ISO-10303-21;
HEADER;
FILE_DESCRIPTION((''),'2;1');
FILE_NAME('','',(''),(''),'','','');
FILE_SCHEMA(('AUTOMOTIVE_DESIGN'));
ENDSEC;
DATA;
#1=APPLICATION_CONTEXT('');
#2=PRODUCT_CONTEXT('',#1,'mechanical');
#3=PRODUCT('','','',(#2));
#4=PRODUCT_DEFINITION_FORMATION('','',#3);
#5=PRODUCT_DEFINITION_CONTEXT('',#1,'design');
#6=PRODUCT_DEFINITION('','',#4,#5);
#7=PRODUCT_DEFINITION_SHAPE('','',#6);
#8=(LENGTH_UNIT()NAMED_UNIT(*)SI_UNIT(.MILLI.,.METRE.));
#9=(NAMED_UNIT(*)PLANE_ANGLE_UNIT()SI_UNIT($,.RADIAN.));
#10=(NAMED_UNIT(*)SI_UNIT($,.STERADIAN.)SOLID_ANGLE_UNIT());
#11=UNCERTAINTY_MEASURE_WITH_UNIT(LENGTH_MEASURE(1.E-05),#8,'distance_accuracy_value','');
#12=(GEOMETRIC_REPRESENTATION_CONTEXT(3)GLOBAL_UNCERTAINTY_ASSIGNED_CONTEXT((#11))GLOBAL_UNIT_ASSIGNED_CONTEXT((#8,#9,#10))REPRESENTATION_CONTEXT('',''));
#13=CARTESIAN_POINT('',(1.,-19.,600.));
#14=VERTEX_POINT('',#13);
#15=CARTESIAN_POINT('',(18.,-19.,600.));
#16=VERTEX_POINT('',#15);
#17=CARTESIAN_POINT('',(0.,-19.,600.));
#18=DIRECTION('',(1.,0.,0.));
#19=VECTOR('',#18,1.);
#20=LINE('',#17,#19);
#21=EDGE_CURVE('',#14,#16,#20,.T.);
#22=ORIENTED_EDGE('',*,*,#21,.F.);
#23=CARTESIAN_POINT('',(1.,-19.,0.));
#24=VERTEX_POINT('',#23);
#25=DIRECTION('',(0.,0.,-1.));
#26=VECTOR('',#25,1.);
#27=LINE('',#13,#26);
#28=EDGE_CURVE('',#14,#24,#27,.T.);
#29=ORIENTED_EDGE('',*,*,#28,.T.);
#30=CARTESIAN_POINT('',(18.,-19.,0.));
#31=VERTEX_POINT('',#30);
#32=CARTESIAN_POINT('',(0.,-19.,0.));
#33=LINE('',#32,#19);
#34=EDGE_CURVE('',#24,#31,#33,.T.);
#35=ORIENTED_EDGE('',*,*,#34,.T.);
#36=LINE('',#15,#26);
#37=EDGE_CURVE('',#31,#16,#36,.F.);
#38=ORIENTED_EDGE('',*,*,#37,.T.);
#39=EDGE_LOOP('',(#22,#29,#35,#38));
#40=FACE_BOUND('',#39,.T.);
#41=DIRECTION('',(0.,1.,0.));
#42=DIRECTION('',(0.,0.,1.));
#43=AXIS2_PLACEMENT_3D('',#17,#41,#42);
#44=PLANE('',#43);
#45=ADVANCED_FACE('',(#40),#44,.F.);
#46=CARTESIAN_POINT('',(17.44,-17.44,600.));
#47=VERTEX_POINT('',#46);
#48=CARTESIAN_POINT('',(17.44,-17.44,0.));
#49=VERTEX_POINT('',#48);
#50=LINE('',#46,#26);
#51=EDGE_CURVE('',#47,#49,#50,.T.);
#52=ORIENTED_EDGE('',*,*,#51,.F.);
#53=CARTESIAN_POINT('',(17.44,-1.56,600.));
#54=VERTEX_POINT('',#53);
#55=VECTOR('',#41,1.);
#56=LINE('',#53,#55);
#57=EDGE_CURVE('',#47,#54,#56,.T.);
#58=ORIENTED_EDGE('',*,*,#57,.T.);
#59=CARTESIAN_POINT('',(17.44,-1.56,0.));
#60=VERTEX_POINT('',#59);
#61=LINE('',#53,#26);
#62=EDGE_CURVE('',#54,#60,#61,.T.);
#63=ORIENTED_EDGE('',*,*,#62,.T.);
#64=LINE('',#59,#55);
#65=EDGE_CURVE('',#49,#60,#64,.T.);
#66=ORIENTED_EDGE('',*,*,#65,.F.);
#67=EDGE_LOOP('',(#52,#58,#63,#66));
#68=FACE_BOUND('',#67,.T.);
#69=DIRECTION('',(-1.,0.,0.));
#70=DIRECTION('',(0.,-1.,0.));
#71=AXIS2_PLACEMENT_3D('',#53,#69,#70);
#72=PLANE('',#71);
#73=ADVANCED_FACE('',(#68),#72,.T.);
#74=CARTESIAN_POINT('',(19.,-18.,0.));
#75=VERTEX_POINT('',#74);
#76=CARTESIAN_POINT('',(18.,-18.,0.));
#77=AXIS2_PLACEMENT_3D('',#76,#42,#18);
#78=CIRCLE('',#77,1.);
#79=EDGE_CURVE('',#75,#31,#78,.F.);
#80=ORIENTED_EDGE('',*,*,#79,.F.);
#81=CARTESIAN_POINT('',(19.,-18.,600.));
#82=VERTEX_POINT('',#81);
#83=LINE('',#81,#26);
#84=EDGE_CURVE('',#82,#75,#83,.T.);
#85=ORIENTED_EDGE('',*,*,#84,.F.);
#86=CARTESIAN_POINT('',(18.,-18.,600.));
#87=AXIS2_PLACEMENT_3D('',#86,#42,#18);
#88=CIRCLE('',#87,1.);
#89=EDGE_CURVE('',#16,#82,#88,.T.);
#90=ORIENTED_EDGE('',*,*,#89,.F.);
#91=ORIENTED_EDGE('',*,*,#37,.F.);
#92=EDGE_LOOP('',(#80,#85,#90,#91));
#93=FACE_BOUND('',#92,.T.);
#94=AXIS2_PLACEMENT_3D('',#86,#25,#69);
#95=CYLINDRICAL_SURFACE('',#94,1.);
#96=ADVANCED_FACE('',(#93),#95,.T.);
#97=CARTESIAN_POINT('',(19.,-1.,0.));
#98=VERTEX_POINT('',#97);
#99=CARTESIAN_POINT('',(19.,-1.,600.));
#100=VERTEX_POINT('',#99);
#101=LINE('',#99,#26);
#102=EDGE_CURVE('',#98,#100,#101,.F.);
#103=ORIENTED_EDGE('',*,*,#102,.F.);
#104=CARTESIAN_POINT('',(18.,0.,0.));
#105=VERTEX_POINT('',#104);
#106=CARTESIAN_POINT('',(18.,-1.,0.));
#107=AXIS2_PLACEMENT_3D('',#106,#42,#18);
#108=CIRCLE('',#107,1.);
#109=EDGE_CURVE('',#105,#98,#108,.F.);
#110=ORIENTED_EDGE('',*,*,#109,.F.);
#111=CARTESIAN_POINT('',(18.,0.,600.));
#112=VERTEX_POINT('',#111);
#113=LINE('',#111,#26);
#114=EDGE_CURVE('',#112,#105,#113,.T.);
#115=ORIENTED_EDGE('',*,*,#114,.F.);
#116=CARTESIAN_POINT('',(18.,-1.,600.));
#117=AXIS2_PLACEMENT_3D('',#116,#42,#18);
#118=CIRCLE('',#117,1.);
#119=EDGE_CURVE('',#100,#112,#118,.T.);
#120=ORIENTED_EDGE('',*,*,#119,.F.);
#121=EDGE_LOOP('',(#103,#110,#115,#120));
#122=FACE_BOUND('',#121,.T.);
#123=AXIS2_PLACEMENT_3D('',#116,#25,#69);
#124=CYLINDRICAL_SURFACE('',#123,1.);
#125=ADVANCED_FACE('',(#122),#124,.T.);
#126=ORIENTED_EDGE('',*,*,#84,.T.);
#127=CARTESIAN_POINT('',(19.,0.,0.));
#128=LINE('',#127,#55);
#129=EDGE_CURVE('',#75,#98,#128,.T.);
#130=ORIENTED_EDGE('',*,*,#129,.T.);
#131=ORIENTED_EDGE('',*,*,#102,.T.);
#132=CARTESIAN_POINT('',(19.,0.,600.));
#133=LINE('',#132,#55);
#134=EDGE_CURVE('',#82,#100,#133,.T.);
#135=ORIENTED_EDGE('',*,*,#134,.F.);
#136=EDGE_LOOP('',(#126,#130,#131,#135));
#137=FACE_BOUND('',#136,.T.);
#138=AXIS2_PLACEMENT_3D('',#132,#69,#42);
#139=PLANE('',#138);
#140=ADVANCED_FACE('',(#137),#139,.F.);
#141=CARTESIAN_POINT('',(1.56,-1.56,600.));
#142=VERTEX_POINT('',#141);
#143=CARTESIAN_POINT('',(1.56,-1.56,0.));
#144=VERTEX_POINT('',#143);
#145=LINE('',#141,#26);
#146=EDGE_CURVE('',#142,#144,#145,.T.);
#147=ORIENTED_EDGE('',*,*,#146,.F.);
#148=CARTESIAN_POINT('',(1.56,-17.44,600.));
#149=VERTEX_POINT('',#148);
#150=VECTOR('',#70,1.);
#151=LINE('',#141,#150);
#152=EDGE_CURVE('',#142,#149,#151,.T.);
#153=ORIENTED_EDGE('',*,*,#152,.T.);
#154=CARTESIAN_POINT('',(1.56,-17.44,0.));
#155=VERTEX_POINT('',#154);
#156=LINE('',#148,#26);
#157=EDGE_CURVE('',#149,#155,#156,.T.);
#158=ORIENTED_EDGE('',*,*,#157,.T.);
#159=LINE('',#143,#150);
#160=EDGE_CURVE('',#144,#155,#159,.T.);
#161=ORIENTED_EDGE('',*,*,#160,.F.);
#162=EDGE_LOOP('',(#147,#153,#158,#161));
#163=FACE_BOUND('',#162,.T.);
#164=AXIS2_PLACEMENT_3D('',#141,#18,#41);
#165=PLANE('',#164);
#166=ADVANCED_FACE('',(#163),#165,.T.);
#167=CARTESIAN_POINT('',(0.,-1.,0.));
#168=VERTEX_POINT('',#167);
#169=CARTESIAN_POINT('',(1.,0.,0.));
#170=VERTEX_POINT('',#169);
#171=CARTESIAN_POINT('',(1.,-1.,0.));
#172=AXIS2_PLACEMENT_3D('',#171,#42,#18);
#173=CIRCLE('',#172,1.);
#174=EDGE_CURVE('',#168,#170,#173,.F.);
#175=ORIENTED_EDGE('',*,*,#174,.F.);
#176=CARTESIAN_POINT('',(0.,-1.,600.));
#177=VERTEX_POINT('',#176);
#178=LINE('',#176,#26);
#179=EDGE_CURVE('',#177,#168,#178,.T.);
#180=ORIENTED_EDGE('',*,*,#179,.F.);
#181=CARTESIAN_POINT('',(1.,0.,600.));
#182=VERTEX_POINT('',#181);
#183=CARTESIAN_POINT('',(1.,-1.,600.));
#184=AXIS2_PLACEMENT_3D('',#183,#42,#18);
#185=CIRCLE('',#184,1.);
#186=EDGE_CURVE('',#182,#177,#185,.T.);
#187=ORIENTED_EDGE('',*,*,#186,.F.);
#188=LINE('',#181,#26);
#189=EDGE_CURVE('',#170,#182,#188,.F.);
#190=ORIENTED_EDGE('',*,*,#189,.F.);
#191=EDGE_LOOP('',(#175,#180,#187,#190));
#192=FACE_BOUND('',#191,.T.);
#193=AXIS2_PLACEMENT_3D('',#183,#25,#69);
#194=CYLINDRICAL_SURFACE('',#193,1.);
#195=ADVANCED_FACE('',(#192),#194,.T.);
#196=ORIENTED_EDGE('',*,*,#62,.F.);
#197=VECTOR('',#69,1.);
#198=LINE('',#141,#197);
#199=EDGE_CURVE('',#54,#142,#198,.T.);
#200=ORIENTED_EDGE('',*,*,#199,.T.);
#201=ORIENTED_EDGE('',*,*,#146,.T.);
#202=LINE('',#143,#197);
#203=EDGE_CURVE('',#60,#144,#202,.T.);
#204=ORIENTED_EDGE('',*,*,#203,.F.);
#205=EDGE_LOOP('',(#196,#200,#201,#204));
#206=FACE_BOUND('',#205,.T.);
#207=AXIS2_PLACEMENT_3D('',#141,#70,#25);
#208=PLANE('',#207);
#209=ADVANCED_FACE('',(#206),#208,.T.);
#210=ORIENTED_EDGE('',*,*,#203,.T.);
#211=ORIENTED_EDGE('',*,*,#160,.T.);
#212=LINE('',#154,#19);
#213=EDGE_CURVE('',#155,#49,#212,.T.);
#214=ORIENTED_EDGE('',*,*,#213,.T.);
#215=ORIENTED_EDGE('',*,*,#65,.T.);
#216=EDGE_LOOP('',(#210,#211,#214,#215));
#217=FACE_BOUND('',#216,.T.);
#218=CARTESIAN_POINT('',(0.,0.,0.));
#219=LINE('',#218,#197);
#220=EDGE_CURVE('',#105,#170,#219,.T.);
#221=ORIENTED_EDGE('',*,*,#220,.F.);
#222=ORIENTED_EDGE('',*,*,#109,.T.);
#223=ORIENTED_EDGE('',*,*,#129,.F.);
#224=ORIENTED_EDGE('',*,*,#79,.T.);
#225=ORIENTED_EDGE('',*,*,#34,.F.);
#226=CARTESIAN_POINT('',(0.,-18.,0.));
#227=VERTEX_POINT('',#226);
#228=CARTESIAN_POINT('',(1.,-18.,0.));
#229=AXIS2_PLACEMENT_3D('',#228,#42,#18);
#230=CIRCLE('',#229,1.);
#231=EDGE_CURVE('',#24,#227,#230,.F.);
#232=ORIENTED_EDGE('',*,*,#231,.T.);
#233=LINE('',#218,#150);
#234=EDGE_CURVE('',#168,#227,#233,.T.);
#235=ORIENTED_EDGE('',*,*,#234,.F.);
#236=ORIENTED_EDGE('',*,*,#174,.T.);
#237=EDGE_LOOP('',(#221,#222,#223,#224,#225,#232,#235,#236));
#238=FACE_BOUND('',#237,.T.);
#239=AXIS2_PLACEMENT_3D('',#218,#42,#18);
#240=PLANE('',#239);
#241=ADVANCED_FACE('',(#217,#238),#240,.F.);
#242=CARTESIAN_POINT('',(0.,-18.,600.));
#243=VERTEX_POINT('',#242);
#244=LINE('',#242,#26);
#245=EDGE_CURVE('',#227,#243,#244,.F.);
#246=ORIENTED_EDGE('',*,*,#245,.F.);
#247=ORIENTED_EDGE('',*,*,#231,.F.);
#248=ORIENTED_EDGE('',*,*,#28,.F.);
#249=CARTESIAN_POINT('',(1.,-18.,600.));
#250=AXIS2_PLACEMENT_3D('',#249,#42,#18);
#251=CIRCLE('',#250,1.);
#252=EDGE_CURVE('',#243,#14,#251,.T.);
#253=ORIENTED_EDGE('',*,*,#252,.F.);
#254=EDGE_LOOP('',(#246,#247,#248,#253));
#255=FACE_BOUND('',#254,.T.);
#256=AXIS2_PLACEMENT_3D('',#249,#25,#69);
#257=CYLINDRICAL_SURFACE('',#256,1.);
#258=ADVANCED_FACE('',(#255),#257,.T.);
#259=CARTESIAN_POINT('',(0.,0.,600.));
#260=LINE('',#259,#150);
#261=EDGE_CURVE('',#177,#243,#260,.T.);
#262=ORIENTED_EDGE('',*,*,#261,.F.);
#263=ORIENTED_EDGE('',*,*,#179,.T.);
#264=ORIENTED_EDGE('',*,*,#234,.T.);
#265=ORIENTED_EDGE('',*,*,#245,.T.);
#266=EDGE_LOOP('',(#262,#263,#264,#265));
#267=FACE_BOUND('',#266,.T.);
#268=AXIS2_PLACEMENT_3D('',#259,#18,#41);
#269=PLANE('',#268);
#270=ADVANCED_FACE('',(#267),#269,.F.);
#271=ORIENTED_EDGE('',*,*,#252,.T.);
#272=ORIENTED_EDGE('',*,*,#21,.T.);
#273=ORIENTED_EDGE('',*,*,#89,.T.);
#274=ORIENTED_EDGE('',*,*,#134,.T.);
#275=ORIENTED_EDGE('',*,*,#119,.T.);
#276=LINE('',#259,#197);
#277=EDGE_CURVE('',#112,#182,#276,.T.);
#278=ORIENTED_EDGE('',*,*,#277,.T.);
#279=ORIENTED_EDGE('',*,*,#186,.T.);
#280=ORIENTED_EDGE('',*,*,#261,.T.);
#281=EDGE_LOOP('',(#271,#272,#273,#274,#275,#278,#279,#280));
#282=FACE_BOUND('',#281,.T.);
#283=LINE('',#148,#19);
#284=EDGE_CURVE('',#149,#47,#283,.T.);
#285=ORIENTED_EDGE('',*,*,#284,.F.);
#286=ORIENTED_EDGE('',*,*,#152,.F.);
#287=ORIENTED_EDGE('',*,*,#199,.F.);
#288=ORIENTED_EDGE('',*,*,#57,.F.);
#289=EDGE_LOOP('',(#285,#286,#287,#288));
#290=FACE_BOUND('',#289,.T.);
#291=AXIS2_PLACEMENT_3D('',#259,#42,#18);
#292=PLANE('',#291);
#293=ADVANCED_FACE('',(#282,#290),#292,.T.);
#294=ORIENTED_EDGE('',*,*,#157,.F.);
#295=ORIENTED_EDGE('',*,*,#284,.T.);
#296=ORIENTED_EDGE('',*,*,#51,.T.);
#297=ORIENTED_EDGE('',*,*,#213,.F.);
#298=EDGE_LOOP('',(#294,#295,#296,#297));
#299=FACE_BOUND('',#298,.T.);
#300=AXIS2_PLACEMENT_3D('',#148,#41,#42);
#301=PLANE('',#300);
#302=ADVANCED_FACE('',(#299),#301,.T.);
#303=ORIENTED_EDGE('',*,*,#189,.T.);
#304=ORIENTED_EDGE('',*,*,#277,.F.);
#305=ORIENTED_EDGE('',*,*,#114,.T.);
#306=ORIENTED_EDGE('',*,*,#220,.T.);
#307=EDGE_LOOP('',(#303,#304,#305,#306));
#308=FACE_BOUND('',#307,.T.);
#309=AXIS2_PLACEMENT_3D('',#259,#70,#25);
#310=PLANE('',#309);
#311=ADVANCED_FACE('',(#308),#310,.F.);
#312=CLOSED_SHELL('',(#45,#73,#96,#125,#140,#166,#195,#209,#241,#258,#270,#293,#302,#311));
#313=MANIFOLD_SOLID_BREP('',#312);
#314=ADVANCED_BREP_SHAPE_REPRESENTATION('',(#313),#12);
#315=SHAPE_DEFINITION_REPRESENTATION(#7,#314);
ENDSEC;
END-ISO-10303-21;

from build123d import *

# Parameters (mm, degrees)
SKETCH_1_W      = 19
SKETCH_1_H      = 19
SKETCH_1_W_2    = 15.88
SKETCH_1_H_2    = 15.88
EXTRUDE_1_DEPTH = 600
FILLET_2_R      = 1


with BuildPart() as part:
    # 스케치1 → 보스-돌출1 (new body)
    with BuildSketch(Plane.XY):
        with Locations((9.5, -9.5)):
            Rectangle(SKETCH_1_W, SKETCH_1_H)
        with Locations((9.5, -9.5)):
            Rectangle(SKETCH_1_W_2, SKETCH_1_H_2, mode=Mode.SUBTRACT)
    extrude(amount=EXTRUDE_1_DEPTH)

    # 필렛2
    fillet_2_edges = [part.edges().sort_by_distance(p)[0] for p in [
        (0, 0, 300),
        (19, 0, 300),
        (19, -19, 300),
        (0, -19, 300),
    ]]
    fillet(fillet_2_edges, radius=FILLET_2_R)


solid = part.part
